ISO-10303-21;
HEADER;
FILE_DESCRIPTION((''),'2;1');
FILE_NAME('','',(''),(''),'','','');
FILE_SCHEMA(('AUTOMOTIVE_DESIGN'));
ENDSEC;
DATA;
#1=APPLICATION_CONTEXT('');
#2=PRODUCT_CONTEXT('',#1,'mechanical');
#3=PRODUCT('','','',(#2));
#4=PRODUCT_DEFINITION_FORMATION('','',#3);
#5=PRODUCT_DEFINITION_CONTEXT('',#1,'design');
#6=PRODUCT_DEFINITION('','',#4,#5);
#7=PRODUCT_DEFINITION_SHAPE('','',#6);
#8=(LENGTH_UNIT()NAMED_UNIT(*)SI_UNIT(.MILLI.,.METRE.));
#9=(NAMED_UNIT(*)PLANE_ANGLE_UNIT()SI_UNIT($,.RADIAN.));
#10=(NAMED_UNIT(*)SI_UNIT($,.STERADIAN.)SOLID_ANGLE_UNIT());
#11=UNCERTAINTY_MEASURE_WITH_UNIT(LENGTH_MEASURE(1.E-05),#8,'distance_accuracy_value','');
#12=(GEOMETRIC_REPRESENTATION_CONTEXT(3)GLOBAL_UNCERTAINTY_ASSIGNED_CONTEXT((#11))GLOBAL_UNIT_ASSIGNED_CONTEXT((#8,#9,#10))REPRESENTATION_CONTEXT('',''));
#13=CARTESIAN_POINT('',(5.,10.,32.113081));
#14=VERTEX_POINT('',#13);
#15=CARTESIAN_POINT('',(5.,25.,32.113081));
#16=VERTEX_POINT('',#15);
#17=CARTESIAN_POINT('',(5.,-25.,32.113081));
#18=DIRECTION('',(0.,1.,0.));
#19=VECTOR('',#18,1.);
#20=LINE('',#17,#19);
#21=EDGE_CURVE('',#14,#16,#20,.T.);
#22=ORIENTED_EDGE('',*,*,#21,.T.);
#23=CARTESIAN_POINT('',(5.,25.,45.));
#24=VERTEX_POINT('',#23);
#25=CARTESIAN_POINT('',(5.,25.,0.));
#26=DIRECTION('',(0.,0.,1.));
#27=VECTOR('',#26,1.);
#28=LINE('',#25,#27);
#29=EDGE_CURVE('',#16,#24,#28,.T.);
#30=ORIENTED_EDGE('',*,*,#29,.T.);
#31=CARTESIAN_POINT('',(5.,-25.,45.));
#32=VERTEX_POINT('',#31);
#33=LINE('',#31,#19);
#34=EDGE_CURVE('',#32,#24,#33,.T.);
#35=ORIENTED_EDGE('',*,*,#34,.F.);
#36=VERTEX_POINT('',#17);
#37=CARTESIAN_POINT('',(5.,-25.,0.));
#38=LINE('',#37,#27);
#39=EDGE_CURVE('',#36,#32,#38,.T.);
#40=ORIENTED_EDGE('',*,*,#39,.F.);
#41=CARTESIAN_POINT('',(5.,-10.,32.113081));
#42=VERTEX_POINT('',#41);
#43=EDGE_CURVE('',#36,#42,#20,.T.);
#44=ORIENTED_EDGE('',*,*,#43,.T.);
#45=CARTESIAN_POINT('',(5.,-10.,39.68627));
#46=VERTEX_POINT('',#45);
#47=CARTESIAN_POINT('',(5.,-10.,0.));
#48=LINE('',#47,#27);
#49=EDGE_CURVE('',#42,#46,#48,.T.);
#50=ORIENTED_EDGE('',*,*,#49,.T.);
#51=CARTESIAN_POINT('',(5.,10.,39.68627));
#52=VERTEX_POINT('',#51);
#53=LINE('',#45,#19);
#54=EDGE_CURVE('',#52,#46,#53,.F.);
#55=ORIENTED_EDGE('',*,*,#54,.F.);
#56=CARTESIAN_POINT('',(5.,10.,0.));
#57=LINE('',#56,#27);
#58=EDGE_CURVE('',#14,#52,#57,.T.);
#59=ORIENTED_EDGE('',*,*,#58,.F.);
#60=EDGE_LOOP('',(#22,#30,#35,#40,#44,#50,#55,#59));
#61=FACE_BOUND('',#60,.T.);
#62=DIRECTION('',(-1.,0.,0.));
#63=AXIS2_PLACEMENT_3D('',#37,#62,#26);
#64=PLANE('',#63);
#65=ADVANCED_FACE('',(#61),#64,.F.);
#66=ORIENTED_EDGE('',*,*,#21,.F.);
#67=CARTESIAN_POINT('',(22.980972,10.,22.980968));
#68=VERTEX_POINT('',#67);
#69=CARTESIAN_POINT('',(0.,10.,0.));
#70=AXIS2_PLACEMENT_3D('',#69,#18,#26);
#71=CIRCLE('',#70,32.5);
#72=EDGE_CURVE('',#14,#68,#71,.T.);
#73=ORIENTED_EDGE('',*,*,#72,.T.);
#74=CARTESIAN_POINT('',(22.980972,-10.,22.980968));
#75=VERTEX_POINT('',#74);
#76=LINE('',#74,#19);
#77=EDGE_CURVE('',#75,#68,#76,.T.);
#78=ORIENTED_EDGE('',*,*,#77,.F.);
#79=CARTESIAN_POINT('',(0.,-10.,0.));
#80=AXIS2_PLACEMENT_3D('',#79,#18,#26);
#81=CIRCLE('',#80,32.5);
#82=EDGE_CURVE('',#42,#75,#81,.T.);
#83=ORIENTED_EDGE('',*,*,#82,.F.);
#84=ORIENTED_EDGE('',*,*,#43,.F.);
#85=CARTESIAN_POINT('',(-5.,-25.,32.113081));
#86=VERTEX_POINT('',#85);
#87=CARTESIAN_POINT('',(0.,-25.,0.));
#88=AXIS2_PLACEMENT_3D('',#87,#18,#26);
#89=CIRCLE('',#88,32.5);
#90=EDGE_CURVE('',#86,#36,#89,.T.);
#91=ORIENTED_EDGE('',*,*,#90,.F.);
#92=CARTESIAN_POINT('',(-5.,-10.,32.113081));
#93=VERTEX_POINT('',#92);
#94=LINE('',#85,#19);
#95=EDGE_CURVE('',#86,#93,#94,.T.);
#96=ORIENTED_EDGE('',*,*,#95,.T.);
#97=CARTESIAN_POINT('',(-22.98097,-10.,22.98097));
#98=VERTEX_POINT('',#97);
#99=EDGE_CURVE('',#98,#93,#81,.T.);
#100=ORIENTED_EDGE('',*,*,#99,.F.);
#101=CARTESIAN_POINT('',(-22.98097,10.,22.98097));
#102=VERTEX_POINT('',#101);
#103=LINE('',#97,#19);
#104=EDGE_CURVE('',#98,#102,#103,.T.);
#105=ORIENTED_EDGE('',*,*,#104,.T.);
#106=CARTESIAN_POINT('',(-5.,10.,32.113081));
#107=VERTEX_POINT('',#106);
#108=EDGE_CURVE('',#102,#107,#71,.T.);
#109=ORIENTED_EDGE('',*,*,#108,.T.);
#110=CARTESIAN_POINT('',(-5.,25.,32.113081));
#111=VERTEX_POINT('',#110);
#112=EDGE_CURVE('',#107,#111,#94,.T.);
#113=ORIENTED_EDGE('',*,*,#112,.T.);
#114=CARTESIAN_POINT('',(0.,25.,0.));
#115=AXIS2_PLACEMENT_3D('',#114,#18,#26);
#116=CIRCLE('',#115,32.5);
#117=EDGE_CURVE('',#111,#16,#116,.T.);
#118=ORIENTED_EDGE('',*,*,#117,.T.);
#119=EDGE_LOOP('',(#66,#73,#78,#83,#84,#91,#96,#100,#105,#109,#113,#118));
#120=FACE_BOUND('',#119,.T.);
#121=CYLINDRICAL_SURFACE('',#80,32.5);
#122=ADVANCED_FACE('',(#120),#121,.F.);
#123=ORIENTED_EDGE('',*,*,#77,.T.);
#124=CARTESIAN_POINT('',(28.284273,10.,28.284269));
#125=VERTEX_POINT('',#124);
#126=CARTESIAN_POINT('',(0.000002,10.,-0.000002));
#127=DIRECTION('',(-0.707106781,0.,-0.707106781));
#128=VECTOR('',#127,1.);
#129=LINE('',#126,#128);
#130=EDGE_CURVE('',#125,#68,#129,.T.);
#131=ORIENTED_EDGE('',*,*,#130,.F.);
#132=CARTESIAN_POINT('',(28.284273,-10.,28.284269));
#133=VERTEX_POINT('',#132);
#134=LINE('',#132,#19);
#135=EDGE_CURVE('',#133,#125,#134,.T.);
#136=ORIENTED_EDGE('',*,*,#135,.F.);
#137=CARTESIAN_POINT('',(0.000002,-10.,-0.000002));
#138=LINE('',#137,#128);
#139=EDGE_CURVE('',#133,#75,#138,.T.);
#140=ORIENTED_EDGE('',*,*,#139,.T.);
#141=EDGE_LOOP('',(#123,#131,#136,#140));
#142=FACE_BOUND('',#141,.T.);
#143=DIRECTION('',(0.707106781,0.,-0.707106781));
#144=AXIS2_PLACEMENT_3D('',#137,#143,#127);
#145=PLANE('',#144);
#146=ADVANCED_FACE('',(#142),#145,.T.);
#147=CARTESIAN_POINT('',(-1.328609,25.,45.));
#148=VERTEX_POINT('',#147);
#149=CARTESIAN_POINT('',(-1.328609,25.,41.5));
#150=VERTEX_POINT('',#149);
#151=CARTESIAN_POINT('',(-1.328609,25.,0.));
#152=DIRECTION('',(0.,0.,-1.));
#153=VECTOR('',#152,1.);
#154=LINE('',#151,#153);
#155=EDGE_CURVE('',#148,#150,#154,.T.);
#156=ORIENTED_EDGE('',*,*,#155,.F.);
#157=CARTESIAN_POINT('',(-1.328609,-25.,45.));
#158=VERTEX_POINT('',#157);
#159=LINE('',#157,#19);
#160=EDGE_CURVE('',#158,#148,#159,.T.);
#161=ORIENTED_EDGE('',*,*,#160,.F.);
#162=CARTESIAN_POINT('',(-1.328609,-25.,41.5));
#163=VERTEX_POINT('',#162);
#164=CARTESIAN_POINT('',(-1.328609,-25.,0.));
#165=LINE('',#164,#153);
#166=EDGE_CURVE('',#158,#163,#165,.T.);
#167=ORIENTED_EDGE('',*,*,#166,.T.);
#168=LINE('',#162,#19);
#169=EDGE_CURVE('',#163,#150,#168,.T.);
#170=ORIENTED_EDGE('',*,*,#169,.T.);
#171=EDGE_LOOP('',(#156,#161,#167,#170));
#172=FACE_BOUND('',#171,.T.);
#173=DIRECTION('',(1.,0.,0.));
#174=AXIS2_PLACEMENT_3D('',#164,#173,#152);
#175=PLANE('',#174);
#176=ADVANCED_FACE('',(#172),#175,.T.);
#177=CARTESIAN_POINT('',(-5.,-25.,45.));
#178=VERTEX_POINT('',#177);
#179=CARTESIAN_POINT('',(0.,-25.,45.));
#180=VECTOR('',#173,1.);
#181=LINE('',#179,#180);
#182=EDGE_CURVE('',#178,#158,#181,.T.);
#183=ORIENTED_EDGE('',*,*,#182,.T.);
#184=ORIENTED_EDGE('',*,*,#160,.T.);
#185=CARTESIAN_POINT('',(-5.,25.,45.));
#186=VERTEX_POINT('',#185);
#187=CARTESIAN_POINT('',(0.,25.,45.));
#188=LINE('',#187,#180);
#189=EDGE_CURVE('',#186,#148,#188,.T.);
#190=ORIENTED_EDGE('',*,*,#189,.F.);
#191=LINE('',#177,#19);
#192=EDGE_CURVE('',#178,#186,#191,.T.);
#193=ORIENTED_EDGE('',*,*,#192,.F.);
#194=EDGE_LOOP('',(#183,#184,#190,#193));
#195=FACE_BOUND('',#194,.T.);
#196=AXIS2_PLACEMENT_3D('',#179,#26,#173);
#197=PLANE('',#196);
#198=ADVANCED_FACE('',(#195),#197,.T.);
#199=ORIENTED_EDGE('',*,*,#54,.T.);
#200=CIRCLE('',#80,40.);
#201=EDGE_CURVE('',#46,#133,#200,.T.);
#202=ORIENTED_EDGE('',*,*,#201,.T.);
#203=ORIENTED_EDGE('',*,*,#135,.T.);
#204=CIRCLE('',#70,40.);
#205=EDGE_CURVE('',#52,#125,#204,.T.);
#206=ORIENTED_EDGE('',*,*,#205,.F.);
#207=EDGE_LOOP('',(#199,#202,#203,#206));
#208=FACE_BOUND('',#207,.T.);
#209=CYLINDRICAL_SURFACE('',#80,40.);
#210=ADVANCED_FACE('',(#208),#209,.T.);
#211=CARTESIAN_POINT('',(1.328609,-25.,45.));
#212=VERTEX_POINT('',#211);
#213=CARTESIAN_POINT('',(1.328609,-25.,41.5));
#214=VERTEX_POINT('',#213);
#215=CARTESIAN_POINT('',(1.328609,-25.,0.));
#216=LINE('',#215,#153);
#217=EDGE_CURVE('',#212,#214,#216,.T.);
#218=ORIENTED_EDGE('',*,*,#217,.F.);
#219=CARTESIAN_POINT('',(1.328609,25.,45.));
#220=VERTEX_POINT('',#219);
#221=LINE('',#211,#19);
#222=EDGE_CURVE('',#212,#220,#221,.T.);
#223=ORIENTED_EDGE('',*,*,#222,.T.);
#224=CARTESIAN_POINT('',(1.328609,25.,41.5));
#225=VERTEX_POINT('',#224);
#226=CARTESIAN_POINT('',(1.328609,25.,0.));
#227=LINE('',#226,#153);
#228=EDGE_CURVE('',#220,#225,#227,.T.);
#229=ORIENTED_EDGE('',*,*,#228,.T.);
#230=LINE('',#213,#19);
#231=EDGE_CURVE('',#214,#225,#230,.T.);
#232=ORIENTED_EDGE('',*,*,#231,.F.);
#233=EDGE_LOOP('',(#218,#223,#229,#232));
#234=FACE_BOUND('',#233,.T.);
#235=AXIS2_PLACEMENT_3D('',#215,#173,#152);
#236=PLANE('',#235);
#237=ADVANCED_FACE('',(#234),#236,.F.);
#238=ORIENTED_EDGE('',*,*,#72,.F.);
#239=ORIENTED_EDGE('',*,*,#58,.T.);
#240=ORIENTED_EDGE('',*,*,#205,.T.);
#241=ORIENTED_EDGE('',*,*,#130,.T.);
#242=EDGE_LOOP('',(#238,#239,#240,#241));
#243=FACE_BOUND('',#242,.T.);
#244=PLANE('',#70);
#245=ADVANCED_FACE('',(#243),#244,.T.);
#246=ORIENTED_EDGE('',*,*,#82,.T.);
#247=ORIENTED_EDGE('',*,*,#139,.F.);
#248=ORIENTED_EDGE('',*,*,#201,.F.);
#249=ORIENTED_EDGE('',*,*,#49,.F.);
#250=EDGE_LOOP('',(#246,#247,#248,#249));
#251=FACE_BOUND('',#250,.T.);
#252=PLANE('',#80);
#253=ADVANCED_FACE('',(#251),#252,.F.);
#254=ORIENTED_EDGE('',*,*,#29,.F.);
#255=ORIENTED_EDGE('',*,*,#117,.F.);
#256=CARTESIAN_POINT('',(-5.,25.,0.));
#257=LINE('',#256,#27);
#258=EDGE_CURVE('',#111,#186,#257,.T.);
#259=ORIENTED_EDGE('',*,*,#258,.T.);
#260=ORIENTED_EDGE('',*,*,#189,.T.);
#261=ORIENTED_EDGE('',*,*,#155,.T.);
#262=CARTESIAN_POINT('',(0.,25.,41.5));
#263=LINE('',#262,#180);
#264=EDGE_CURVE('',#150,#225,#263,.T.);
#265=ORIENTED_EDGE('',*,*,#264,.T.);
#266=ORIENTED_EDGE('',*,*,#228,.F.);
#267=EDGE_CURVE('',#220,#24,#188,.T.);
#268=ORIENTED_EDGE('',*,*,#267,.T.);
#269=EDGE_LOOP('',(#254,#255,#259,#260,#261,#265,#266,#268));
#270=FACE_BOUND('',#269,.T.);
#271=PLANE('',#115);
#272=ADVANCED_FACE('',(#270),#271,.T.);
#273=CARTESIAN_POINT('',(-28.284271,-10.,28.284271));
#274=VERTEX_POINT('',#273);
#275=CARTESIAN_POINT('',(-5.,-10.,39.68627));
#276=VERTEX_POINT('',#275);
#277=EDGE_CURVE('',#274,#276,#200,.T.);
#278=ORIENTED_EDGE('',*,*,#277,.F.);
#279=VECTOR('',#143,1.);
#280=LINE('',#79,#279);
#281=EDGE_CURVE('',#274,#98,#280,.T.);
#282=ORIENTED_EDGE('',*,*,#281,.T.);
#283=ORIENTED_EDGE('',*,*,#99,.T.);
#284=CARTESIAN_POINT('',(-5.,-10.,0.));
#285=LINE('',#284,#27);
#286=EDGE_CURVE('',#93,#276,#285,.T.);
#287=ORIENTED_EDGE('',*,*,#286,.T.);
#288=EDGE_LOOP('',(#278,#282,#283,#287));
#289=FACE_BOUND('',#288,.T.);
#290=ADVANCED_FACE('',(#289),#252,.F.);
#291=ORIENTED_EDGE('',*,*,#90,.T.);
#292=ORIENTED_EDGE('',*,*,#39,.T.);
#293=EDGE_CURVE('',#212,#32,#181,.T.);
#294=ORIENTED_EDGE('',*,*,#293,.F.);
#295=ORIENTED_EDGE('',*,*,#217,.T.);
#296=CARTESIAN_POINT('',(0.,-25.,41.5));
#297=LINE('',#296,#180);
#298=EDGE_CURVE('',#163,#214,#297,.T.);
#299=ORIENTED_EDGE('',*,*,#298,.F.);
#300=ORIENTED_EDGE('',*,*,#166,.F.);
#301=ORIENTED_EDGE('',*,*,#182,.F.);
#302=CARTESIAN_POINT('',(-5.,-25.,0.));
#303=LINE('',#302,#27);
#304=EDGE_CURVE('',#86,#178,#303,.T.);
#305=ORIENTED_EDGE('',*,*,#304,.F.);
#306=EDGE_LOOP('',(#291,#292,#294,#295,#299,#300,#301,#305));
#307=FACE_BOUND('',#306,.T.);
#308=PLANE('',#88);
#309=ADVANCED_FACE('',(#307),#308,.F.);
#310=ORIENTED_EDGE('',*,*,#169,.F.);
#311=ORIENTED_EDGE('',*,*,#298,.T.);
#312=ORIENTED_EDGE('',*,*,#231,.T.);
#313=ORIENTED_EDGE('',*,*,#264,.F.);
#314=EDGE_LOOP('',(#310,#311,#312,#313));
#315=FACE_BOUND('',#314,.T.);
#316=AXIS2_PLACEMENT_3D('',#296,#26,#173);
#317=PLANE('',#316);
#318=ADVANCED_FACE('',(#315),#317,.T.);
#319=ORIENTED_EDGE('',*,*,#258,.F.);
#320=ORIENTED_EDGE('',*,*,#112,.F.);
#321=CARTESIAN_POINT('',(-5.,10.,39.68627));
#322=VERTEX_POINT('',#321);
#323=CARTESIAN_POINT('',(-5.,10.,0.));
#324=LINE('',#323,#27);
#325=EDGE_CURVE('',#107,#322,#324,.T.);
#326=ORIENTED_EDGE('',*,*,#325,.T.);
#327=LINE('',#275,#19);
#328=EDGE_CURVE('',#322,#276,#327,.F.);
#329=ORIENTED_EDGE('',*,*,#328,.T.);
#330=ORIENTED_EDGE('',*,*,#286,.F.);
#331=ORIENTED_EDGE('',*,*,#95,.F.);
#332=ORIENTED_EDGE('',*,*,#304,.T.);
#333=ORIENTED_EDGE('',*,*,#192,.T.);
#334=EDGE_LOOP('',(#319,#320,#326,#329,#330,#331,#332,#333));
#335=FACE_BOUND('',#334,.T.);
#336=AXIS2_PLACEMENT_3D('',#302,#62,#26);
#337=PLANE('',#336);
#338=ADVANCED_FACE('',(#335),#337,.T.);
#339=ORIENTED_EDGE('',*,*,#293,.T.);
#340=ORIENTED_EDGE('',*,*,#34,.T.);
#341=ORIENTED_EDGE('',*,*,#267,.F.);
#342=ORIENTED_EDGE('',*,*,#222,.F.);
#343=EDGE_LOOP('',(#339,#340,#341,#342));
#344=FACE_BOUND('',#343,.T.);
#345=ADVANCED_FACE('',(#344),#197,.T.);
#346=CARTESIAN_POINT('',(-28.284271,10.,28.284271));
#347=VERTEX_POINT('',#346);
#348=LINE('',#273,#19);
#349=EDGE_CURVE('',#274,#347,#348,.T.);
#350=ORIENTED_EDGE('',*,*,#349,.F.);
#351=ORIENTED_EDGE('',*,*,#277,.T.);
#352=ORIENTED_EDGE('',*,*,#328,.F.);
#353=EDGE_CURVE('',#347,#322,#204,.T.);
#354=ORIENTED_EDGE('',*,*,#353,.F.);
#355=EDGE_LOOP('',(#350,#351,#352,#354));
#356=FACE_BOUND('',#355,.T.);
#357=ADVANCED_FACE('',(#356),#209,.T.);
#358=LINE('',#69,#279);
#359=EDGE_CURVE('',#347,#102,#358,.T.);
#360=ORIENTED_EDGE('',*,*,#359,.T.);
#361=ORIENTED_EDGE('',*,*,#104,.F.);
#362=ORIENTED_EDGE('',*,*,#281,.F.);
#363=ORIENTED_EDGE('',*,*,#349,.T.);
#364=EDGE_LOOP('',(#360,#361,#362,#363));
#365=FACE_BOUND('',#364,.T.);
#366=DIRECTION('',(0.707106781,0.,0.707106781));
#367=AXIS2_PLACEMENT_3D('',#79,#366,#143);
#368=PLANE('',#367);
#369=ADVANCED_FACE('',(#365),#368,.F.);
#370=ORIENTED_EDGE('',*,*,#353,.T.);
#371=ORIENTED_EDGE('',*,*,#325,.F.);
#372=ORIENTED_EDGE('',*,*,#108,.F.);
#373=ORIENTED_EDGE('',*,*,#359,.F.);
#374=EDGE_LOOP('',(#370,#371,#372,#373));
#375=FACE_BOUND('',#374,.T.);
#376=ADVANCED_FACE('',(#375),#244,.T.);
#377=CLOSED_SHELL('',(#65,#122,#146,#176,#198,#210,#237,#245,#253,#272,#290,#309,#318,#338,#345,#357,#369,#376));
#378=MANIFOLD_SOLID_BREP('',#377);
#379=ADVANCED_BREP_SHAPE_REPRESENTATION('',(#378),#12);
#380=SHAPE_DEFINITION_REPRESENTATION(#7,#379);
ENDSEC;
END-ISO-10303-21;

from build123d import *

# Parameters (mm, degrees)
BOSS_EXTRUDE1_DEPTH      = 10
BOSS_EXTRUDE1_DEPTH_BACK = 10
BOSS_EXTRUDE2_DEPTH      = 25
BOSS_EXTRUDE2_DEPTH_BACK = 25


with BuildPart() as part:
    # Sketch1 → Boss-Extrude1 (new, two sides: drawn at the far end of the back side and taken through both)
    with BuildSketch(Plane(origin=(0, 0, 0), x_dir=(1, 0, 0), z_dir=(0, 1, 0)).offset(-BOSS_EXTRUDE1_DEPTH_BACK)):
        with BuildLine():
            Line((28.284273238, -28.284269257), (22.980972379, -22.980968398))
            ThreePointArc((22.980972379, -22.980968398), (1.407e-06, -32.5), (-22.980970389, -22.980970389))
            Line((-22.980970389, -22.980970389), (-28.284271247, -28.284271247))
            ThreePointArc((-28.284271247, -28.284271247), (1.407e-06, -40), (28.284273238, -28.284269257))
        make_face()
    extrude(amount=BOSS_EXTRUDE1_DEPTH + BOSS_EXTRUDE1_DEPTH_BACK)

    # Sketch2 → Boss-Extrude2 (add, two sides: drawn at the far end of the back side and taken through both)
    with BuildSketch(Plane(origin=(0, 0, 0), x_dir=(1, 0, 0), z_dir=(0, 1, 0)).offset(-BOSS_EXTRUDE2_DEPTH_BACK)):
        with BuildLine():
            Line((1.328609333, -41.5), (1.328609333, -45))
            Line((1.328609333, -45), (5, -45))
            Line((5, -45), (5, -32.113081447))
            ThreePointArc((5, -32.113081447), (0, -32.5), (-5, -32.113081447))
            Line((-5, -32.113081447), (-5, -45))
            Line((-5, -45), (-1.328609333, -45))
            Line((-1.328609333, -45), (-1.328609333, -41.5))
            Line((-1.328609333, -41.5), (1.328609333, -41.5))
        make_face()
    extrude(amount=BOSS_EXTRUDE2_DEPTH + BOSS_EXTRUDE2_DEPTH_BACK)


solid = part.part
